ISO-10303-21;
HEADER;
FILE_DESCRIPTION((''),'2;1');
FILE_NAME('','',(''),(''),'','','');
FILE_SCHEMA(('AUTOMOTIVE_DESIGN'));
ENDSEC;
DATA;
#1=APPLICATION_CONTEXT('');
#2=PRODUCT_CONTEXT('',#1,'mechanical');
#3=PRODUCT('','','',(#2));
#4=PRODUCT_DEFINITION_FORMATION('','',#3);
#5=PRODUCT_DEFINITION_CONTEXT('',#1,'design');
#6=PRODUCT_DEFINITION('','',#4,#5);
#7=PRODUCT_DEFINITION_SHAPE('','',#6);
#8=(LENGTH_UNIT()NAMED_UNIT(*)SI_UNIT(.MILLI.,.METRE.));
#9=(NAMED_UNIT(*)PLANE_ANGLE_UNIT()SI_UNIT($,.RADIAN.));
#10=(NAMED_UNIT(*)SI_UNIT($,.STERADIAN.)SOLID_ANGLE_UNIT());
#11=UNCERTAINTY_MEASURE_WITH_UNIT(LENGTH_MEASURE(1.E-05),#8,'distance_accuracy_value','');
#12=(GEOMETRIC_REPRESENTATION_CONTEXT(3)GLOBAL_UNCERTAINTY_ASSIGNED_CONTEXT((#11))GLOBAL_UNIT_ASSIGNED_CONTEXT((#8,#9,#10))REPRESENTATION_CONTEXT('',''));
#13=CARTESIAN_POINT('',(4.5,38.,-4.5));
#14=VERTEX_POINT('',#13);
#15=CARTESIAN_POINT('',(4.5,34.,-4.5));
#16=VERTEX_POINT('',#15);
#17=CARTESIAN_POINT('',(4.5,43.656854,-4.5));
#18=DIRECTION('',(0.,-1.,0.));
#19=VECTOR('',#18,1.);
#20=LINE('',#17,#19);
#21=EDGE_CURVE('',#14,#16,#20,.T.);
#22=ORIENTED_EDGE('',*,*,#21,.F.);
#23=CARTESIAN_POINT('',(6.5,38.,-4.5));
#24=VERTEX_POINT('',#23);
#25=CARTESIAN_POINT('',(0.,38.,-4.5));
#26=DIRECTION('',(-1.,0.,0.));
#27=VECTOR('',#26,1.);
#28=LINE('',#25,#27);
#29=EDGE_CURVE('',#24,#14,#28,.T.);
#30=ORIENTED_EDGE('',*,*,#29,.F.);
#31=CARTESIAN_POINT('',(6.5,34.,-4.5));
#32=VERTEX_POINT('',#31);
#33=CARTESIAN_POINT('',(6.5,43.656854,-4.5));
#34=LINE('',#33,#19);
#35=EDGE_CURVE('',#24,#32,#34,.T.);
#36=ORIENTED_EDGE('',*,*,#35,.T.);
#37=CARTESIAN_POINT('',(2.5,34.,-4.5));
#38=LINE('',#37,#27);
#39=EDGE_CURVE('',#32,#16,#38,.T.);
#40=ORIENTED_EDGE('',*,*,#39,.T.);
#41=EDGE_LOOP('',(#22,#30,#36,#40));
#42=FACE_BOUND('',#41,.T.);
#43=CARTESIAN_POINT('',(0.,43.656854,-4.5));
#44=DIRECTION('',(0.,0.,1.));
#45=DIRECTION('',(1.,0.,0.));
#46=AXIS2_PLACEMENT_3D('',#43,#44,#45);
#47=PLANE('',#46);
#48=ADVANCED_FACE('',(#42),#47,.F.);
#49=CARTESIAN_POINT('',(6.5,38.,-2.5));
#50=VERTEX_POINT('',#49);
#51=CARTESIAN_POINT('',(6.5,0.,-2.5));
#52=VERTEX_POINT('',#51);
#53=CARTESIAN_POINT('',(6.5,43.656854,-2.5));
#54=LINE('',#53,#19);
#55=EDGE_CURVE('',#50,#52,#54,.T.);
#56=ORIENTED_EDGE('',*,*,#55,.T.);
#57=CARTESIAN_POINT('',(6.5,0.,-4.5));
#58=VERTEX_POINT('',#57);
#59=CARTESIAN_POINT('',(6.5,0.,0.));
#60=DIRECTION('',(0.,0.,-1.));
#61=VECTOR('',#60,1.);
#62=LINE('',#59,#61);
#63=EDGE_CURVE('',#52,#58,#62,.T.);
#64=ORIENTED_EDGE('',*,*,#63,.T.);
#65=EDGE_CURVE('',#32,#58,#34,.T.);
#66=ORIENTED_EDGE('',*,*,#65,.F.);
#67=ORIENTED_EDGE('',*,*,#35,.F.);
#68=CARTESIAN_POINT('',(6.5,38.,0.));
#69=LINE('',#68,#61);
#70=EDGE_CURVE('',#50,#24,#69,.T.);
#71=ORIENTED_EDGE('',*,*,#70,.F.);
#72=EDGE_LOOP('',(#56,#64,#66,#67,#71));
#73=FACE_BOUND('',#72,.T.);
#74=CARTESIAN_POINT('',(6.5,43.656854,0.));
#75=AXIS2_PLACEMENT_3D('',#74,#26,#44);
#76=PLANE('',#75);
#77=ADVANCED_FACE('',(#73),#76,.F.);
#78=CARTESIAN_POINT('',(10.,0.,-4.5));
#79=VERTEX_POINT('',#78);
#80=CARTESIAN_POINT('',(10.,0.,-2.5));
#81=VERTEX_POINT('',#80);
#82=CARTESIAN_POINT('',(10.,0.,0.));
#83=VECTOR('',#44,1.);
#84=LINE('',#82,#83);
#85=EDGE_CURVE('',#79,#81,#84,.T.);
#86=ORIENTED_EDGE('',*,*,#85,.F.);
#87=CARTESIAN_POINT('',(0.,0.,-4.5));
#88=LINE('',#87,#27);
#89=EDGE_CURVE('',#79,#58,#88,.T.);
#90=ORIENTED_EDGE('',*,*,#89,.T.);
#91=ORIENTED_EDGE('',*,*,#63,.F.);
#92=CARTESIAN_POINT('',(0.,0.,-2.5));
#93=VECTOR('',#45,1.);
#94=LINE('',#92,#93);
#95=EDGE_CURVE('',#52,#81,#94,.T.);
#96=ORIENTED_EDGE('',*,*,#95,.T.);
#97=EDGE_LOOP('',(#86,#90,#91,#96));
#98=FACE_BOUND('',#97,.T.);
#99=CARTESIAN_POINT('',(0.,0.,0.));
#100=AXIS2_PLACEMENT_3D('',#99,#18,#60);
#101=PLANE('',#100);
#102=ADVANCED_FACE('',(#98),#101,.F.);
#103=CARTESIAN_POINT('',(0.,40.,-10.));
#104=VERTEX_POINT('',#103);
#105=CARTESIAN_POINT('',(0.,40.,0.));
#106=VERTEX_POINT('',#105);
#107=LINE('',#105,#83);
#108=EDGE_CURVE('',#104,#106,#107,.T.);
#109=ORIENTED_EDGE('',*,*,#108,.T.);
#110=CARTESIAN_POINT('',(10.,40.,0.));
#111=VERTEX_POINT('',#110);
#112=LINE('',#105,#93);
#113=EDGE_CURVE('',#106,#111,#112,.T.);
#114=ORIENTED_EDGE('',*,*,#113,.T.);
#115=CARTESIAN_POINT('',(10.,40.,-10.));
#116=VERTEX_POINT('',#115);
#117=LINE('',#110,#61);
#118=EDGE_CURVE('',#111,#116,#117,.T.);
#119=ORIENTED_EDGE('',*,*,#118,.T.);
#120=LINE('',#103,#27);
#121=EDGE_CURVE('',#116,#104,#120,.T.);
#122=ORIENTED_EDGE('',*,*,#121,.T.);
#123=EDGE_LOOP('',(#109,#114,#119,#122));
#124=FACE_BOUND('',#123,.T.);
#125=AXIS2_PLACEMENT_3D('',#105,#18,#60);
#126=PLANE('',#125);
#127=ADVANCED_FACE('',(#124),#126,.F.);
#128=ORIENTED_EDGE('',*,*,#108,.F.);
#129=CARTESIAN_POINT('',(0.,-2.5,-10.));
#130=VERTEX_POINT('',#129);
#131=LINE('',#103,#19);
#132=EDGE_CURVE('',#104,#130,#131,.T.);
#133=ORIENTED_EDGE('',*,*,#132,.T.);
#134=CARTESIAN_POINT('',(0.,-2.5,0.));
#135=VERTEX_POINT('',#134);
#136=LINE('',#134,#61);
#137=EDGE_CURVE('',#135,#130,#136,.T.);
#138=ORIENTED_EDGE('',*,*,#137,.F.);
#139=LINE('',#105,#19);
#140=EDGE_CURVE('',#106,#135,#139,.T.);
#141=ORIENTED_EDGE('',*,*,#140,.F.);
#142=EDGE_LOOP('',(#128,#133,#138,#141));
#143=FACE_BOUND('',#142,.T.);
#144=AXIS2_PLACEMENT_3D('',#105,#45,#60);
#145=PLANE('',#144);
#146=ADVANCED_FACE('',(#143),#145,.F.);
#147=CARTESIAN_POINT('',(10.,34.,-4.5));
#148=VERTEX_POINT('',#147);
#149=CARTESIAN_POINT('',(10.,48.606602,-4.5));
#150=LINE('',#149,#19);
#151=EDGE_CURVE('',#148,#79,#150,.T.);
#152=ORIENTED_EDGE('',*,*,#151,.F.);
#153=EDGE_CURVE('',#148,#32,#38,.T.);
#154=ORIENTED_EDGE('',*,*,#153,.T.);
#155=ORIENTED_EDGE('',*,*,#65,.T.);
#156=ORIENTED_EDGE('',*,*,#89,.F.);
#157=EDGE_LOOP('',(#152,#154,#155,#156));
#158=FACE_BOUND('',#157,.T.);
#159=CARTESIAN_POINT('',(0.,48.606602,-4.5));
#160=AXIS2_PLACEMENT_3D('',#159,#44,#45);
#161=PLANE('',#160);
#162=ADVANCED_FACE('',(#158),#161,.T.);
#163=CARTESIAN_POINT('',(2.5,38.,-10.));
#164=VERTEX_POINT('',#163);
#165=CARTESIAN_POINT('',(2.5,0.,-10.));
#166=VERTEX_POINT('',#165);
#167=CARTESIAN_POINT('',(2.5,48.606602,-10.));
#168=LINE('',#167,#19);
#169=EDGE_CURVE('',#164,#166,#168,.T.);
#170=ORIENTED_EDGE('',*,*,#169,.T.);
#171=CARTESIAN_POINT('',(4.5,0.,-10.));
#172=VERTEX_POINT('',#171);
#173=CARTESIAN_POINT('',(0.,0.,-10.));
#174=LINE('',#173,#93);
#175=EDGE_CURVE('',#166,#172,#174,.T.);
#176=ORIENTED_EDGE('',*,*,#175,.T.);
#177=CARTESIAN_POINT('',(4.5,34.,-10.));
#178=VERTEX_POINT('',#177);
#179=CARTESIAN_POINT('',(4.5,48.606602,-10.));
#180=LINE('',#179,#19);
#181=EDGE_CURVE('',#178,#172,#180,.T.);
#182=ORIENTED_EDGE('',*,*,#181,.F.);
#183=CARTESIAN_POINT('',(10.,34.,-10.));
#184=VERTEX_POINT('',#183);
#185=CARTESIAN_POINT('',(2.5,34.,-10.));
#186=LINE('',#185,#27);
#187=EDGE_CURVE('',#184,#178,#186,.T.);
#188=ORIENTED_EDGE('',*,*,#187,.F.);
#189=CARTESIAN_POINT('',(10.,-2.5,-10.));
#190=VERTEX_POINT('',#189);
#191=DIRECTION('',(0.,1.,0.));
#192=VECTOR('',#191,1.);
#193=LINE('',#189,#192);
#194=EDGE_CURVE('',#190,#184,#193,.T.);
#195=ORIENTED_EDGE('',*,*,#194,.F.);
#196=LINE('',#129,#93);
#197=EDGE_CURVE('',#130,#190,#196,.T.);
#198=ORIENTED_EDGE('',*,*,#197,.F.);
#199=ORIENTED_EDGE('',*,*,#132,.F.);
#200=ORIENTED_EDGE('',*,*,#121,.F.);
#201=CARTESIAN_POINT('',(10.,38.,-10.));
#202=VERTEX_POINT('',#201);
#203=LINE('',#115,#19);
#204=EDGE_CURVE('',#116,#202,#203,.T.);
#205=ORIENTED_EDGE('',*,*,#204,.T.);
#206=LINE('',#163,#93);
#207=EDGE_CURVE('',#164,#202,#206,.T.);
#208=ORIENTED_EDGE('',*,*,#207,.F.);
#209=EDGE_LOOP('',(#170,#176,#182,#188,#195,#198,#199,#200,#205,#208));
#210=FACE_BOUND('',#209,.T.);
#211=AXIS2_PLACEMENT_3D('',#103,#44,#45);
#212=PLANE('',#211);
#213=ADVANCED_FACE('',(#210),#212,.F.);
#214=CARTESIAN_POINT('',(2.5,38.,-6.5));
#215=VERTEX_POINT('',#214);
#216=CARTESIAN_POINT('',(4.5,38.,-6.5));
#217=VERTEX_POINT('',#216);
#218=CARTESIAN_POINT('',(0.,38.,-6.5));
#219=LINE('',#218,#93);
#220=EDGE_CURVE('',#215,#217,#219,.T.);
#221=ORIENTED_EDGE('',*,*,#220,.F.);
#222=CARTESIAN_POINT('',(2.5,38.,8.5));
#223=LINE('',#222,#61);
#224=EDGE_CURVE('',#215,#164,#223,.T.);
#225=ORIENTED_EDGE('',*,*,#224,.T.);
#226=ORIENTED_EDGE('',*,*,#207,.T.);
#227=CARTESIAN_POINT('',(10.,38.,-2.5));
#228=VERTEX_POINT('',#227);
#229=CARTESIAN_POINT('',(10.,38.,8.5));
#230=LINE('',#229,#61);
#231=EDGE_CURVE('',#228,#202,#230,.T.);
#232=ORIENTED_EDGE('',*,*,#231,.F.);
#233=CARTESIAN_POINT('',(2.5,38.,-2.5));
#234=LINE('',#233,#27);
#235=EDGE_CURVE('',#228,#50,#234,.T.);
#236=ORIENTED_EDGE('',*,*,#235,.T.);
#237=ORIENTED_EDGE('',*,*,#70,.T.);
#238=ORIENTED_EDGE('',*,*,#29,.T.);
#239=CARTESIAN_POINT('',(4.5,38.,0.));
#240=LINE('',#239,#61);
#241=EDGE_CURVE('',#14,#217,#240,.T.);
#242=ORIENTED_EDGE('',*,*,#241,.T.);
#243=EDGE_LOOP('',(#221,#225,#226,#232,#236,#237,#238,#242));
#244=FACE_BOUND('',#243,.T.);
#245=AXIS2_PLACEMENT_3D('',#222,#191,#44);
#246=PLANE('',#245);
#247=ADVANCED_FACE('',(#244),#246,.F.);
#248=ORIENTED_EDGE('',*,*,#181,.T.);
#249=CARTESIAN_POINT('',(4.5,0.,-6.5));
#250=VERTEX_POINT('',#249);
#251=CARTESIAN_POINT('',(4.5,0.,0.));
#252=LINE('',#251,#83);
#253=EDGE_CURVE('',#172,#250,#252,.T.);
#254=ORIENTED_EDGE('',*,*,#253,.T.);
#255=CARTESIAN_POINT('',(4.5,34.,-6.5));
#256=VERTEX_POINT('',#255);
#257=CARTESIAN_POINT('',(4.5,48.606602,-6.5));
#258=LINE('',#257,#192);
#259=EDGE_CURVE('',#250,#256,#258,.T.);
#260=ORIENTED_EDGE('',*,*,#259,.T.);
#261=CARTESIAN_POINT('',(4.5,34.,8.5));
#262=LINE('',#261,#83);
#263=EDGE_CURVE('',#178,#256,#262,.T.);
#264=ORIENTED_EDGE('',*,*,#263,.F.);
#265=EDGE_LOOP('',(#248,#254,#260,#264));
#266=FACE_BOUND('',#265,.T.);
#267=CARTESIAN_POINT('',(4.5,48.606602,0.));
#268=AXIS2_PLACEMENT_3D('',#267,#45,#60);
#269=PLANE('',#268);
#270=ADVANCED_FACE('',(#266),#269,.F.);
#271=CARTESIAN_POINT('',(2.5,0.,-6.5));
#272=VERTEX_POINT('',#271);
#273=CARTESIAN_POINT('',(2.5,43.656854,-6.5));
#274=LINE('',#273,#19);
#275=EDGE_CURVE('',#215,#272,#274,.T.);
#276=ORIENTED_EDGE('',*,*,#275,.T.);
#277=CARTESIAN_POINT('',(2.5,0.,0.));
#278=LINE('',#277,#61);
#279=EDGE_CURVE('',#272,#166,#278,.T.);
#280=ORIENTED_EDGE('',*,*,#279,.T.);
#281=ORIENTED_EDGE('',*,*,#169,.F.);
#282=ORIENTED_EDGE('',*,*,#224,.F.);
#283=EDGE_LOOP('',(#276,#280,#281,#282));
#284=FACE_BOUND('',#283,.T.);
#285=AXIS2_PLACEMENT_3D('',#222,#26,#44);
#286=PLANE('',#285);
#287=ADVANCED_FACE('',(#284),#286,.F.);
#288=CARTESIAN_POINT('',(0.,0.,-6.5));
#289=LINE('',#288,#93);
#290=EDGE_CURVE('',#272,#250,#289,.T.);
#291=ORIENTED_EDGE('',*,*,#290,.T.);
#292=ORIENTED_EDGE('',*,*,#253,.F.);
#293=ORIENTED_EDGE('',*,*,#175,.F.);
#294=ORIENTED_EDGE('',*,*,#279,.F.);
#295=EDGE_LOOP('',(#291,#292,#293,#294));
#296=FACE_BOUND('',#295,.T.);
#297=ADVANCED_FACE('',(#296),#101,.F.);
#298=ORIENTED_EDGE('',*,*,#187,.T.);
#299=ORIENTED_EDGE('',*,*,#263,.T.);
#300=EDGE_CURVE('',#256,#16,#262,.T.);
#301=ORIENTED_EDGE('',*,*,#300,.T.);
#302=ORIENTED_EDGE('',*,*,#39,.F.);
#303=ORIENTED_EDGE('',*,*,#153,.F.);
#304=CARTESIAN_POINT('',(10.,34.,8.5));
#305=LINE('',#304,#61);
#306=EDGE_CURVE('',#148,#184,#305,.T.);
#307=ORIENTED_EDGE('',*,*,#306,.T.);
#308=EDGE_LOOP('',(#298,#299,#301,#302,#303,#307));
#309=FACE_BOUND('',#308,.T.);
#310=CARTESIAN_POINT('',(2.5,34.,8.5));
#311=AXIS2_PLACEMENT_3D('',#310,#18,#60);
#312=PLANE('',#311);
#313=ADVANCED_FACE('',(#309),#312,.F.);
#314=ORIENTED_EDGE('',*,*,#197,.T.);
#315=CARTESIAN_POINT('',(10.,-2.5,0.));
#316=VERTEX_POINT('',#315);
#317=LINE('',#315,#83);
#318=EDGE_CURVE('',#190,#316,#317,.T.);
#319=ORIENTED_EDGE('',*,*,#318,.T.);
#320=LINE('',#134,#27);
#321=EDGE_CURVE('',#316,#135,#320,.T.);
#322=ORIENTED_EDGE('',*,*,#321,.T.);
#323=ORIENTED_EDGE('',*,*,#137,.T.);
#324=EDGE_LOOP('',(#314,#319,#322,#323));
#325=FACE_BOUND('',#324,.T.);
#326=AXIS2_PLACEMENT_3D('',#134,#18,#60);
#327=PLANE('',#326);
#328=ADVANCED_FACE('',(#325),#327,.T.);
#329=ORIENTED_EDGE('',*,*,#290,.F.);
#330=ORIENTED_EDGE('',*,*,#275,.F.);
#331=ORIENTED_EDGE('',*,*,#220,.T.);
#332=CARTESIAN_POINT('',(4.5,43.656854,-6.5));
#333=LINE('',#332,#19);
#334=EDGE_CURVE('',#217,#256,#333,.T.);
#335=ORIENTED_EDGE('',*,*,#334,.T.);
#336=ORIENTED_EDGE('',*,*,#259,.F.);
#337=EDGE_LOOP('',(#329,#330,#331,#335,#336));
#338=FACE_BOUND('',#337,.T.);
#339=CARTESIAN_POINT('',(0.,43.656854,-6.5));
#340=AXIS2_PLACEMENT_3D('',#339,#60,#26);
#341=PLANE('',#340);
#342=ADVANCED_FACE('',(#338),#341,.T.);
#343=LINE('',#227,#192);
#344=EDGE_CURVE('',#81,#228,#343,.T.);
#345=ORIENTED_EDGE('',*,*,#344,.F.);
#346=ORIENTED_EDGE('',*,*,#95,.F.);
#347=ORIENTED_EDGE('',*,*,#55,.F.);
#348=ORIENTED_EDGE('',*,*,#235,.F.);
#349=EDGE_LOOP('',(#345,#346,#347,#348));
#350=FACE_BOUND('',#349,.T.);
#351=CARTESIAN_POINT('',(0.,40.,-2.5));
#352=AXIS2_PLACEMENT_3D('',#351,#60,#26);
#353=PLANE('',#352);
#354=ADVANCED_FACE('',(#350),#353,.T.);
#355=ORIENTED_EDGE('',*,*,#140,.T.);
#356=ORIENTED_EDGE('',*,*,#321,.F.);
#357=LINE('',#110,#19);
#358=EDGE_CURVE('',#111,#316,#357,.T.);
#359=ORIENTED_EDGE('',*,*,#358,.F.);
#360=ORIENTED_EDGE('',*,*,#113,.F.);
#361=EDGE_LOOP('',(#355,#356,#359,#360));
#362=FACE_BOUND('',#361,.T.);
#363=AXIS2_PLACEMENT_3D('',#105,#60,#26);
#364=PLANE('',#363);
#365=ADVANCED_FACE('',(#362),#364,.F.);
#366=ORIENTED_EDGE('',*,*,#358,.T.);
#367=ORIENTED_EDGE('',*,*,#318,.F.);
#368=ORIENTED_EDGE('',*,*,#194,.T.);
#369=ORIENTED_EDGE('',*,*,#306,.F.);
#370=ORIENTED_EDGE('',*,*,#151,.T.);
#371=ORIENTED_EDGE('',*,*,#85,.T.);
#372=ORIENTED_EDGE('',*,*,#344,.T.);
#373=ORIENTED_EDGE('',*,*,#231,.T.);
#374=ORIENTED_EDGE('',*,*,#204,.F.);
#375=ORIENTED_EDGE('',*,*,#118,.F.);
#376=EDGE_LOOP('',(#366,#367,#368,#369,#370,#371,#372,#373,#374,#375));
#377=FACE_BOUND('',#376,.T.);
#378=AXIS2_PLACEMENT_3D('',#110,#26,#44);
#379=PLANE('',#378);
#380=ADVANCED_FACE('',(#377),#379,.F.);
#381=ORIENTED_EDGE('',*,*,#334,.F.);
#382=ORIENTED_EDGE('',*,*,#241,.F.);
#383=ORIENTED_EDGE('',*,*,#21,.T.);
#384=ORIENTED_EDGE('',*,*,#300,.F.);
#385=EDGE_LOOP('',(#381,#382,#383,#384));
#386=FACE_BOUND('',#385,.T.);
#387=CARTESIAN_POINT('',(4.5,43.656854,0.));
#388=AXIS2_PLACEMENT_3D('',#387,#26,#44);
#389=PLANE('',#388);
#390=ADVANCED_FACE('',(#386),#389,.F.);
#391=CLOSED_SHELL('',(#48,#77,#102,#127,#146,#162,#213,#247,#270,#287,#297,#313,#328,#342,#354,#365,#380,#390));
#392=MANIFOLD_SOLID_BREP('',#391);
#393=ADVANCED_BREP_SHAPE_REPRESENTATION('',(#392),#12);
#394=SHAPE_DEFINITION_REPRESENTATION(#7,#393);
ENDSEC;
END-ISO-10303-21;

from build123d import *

# Parameters (mm, degrees)
SKETCH1_W           = 10
SKETCH1_H           = 10
BOSS_EXTRUDE1_DEPTH = 40
SKETCH3_W           = 7.5
SKETCH3_H           = 4
CUT_EXTRUDE1_DEPTH  = 7.5
SKETCH4_W           = 2
SKETCH4_H           = 5.5
CUT_EXTRUDE2_DEPTH  = 38
SKETCH5_W           = 10
SKETCH5_H           = 10
BOSS_EXTRUDE2_DEPTH = 2.5
BOSS_EXTRUDE3_REACH = 44.426
SKETCH6_W           = 1
SKETCH6_H           = 2


with BuildPart() as part:
    # Sketch1 → Boss-Extrude1 (new body)
    with BuildSketch(Plane(origin=(0, 0, 0), x_dir=(1, 0, 0), z_dir=(0, 1, 0))):
        with Locations((5, 5)):
            Rectangle(SKETCH1_W, SKETCH1_H)
    extrude(amount=BOSS_EXTRUDE1_DEPTH)

    # Sketch3 → Cut-Extrude1 (cut)
    with BuildSketch(Plane(origin=(0, 0, -10), x_dir=(-1, 0, 0), z_dir=(0, 0, -1))):
        with Locations((-6.25, 36)):
            Rectangle(SKETCH3_W, SKETCH3_H)
    extrude(amount=-CUT_EXTRUDE1_DEPTH, mode=Mode.SUBTRACT)

    # Sketch4 → Cut-Extrude2 (cut)
    with BuildSketch(Plane.XZ):
        Polygon((10, -2.5), (2.5, -2.5), (2.5, -4.5), (4.5, -4.5), (10, -4.5), align=None)
        with Locations((3.5, -7.25)):
            Rectangle(SKETCH4_W, SKETCH4_H)
    extrude(amount=-CUT_EXTRUDE2_DEPTH, mode=Mode.SUBTRACT)


with BuildPart() as cut_extrude2_piece_1:
    # of the separate pieces the step leaves, piece 1, a body of its own (cut_extrude2_pieces)
    add(part.part.solids().sort_by_distance((0, 0, 0))[0])



with BuildPart() as cut_extrude2_piece_2:
    # of the separate pieces the step leaves, piece 2, a body of its own (cut_extrude2_pieces)
    add(part.part.solids().sort_by_distance((10, 0, -4.5))[0])


with BuildPart() as cut_extrude2_piece_1_1:
    add(cut_extrude2_piece_1.part)

    add(cut_extrude2_piece_2.part)  # Boss-Extrude2 merges Cut-Extrude2 piece 2
    # Sketch5 → Boss-Extrude2 (add)
    with BuildSketch(Plane.XZ):
        with Locations((5, -5)):
            Rectangle(SKETCH5_W, SKETCH5_H)
    extrude(amount=BOSS_EXTRUDE2_DEPTH)

    # Boss-Extrude3: up to this face of the body (flat: up to its plane)
    boss_extrude3_end = Plane(cut_extrude2_piece_1_1.part.faces().sort_by_distance((6.25, 38, -6.25))[0])
    # Sketch6 → Boss-Extrude3 (add, up to the picked face)
    with BuildSketch(Plane(origin=(0, 0, 0), x_dir=(1, 0, 0), z_dir=(0, 1, 0)), mode=Mode.PRIVATE) as boss_extrude3_sk1:
        Polygon((3.5, 4.5), (3.5, 2.5), (6.5, 2.5), (6.5, 4.5), (4.5, 4.5), align=None)
    boss_extrude3_tool1 = split(extrude(boss_extrude3_sk1.sketch, amount=BOSS_EXTRUDE3_REACH, mode=Mode.PRIVATE), bisect_by=boss_extrude3_end, keep=Keep.BOTH, mode=Mode.PRIVATE)
    # Sketch6 → Boss-Extrude3 (add, up to the picked face)
    with BuildSketch(Plane(origin=(0, 0, 0), x_dir=(1, 0, 0), z_dir=(0, 1, 0)), mode=Mode.PRIVATE) as boss_extrude3_sk2:
        with Locations((4, 5.5)):
            Rectangle(SKETCH6_W, SKETCH6_H)
    boss_extrude3_tool2 = split(extrude(boss_extrude3_sk2.sketch, amount=BOSS_EXTRUDE3_REACH, mode=Mode.PRIVATE), bisect_by=boss_extrude3_end, keep=Keep.BOTH, mode=Mode.PRIVATE)
    # Sketch6 → Boss-Extrude3 (add, up to the picked face)
    with BuildSketch(Plane(origin=(0, 0, 0), x_dir=(1, 0, 0), z_dir=(0, 1, 0)), mode=Mode.PRIVATE) as boss_extrude3_sk3:
        with Locations((3, 5.5)):
            Rectangle(SKETCH6_W, SKETCH6_H)
    boss_extrude3_tool3 = split(extrude(boss_extrude3_sk3.sketch, amount=BOSS_EXTRUDE3_REACH, mode=Mode.PRIVATE), bisect_by=boss_extrude3_end, keep=Keep.BOTH, mode=Mode.PRIVATE)
    # Sketch6 → Boss-Extrude3 (add, up to the picked face)
    with BuildSketch(Plane(origin=(0, 0, 0), x_dir=(1, 0, 0), z_dir=(0, 1, 0)), mode=Mode.PRIVATE) as boss_extrude3_sk4:
        with Locations((3, 3.5)):
            Rectangle(SKETCH6_W, SKETCH6_H)
    boss_extrude3_tool4 = split(extrude(boss_extrude3_sk4.sketch, amount=BOSS_EXTRUDE3_REACH, mode=Mode.PRIVATE), bisect_by=boss_extrude3_end, keep=Keep.BOTH, mode=Mode.PRIVATE)
    add(boss_extrude3_tool1.solids().sort_by(Axis((5, 0, -3.5), (0, 1, 0)))[0])
    add(boss_extrude3_tool2.solids().sort_by(Axis((4, 0, -5.5), (0, 1, 0)))[0])
    add(boss_extrude3_tool3.solids().sort_by(Axis((3, 0, -5.5), (0, 1, 0)))[0])
    add(boss_extrude3_tool4.solids().sort_by(Axis((3, 0, -3.5), (0, 1, 0)))[0])


solid = cut_extrude2_piece_1_1.part
